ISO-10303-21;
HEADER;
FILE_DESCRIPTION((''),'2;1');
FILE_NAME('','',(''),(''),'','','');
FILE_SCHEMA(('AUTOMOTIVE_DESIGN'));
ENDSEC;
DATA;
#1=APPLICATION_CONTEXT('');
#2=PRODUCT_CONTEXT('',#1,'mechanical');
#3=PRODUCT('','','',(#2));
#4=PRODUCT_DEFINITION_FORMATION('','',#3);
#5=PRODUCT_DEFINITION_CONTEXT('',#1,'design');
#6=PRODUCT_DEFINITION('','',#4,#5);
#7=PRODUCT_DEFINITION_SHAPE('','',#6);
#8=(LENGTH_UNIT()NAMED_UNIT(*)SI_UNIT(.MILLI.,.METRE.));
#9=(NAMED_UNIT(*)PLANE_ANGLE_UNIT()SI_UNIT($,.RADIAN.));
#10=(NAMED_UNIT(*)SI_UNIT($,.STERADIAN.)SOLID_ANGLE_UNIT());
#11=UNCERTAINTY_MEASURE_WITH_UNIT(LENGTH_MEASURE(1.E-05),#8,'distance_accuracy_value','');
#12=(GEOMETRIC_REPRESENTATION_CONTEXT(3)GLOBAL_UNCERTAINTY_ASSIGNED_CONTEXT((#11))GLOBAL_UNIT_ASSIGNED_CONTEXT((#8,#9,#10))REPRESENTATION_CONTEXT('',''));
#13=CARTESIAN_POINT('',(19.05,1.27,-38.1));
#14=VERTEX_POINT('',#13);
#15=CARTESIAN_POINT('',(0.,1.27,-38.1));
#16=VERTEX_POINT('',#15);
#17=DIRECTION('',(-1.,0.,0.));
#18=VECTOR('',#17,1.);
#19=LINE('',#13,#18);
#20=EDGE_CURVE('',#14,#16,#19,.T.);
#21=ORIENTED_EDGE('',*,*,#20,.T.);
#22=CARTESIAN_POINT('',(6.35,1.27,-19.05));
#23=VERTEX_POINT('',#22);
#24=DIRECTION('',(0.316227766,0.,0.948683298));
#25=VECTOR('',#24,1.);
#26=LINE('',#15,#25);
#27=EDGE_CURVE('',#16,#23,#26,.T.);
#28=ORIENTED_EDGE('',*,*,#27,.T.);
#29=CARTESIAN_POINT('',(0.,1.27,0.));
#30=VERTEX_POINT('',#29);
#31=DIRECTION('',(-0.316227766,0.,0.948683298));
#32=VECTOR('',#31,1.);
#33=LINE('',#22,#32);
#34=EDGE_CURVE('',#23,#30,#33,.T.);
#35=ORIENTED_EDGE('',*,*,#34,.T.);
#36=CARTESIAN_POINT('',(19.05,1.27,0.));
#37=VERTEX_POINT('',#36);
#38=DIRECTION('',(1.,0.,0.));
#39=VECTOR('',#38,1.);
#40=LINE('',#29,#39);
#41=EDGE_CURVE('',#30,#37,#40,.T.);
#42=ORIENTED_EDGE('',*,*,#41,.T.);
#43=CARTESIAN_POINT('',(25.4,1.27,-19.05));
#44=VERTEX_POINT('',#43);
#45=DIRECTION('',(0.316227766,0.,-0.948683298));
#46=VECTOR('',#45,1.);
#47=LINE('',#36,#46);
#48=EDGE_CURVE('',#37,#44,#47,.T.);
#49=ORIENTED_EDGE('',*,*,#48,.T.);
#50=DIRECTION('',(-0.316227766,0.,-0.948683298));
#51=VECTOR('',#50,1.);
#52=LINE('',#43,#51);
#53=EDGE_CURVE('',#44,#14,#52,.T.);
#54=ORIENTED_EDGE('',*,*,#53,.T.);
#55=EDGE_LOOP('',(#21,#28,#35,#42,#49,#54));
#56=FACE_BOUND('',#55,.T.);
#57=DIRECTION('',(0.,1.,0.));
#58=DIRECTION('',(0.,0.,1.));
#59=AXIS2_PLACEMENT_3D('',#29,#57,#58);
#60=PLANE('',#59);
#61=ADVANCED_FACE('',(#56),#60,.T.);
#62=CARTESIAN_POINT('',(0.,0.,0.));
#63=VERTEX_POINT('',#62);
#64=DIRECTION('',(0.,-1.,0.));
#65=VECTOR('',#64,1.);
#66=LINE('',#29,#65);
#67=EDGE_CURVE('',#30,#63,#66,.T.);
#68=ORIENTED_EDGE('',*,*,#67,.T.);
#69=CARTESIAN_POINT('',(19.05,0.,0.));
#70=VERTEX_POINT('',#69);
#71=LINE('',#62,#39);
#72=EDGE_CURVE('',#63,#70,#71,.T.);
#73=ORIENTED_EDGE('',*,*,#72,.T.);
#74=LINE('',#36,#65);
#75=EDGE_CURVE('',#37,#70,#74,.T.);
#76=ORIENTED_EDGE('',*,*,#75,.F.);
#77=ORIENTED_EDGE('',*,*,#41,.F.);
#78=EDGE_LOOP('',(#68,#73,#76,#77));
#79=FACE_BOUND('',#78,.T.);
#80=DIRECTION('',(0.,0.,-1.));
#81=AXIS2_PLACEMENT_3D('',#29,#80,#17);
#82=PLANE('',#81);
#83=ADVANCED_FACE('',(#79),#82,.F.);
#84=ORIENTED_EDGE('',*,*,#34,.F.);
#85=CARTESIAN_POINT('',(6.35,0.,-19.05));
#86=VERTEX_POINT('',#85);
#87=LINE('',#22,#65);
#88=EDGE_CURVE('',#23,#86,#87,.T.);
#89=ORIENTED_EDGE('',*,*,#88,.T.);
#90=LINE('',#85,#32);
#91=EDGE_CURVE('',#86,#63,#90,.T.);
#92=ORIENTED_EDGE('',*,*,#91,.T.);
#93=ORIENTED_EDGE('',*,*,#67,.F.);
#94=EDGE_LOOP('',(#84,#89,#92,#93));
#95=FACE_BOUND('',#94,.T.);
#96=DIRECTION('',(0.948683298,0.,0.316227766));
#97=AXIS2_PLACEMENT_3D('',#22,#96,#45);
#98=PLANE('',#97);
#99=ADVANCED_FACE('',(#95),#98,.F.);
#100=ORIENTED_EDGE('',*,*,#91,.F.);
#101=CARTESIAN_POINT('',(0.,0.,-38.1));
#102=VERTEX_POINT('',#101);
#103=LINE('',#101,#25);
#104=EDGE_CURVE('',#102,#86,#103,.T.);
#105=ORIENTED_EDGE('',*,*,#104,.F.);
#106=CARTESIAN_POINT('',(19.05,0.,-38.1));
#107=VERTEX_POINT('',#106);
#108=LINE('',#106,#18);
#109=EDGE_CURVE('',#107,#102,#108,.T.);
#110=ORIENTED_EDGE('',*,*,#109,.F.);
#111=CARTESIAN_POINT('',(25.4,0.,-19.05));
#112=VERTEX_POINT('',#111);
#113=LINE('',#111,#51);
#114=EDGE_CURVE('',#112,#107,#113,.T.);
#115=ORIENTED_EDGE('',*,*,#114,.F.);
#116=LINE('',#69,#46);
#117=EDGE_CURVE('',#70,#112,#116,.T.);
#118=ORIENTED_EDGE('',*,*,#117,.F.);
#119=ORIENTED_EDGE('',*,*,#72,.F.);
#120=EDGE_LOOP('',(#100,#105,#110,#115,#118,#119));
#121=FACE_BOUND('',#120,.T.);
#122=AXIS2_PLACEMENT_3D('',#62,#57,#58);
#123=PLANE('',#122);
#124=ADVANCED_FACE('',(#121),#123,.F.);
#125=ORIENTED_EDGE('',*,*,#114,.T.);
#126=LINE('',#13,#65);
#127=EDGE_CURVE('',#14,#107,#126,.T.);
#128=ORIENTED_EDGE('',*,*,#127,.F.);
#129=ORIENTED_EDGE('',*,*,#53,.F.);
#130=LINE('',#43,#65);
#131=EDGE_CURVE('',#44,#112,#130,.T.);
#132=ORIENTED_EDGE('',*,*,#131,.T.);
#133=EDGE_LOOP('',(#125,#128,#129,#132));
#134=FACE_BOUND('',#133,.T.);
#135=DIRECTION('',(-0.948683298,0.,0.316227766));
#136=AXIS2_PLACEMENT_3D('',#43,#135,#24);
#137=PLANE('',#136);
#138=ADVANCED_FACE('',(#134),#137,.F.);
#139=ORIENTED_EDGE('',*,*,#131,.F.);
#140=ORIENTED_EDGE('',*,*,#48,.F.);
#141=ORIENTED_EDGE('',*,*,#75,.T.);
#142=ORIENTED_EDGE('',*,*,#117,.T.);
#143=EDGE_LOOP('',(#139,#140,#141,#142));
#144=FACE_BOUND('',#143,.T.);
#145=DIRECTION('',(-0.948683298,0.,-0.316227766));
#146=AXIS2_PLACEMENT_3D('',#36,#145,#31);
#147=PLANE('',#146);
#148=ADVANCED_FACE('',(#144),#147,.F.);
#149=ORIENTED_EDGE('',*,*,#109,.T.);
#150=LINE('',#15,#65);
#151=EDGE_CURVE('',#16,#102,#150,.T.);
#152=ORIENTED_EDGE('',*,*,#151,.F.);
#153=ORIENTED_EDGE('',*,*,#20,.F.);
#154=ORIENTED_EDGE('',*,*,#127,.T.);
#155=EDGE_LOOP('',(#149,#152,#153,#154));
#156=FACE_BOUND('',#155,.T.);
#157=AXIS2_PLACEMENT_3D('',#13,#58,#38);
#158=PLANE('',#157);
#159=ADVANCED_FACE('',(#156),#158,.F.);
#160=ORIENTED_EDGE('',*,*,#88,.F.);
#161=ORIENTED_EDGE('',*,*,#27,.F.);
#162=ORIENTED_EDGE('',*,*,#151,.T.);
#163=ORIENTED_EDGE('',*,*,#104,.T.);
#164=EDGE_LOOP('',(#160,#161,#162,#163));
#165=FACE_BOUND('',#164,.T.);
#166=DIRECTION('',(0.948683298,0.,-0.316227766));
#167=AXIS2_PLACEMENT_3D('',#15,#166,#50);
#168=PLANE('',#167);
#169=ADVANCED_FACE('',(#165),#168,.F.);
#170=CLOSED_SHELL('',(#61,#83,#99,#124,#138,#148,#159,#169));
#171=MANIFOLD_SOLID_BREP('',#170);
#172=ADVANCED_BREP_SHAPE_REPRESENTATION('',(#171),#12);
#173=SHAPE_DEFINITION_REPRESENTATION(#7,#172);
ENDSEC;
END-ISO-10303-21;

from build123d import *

# Parameters (mm, degrees)
BOSS_EXTRUDE1_DEPTH = 1.27


with BuildPart() as part:
    # Sketch1 → Boss-Extrude1 (new body)
    with BuildSketch(Plane(origin=(0, 0, 0), x_dir=(1, 0, 0), z_dir=(0, 1, 0))):
        Polygon((0, 0), (19.05, 0), (25.4, 19.05), (19.05, 38.1), (0, 38.1), (6.35, 19.05), align=None)
    extrude(amount=BOSS_EXTRUDE1_DEPTH)


solid = part.part
